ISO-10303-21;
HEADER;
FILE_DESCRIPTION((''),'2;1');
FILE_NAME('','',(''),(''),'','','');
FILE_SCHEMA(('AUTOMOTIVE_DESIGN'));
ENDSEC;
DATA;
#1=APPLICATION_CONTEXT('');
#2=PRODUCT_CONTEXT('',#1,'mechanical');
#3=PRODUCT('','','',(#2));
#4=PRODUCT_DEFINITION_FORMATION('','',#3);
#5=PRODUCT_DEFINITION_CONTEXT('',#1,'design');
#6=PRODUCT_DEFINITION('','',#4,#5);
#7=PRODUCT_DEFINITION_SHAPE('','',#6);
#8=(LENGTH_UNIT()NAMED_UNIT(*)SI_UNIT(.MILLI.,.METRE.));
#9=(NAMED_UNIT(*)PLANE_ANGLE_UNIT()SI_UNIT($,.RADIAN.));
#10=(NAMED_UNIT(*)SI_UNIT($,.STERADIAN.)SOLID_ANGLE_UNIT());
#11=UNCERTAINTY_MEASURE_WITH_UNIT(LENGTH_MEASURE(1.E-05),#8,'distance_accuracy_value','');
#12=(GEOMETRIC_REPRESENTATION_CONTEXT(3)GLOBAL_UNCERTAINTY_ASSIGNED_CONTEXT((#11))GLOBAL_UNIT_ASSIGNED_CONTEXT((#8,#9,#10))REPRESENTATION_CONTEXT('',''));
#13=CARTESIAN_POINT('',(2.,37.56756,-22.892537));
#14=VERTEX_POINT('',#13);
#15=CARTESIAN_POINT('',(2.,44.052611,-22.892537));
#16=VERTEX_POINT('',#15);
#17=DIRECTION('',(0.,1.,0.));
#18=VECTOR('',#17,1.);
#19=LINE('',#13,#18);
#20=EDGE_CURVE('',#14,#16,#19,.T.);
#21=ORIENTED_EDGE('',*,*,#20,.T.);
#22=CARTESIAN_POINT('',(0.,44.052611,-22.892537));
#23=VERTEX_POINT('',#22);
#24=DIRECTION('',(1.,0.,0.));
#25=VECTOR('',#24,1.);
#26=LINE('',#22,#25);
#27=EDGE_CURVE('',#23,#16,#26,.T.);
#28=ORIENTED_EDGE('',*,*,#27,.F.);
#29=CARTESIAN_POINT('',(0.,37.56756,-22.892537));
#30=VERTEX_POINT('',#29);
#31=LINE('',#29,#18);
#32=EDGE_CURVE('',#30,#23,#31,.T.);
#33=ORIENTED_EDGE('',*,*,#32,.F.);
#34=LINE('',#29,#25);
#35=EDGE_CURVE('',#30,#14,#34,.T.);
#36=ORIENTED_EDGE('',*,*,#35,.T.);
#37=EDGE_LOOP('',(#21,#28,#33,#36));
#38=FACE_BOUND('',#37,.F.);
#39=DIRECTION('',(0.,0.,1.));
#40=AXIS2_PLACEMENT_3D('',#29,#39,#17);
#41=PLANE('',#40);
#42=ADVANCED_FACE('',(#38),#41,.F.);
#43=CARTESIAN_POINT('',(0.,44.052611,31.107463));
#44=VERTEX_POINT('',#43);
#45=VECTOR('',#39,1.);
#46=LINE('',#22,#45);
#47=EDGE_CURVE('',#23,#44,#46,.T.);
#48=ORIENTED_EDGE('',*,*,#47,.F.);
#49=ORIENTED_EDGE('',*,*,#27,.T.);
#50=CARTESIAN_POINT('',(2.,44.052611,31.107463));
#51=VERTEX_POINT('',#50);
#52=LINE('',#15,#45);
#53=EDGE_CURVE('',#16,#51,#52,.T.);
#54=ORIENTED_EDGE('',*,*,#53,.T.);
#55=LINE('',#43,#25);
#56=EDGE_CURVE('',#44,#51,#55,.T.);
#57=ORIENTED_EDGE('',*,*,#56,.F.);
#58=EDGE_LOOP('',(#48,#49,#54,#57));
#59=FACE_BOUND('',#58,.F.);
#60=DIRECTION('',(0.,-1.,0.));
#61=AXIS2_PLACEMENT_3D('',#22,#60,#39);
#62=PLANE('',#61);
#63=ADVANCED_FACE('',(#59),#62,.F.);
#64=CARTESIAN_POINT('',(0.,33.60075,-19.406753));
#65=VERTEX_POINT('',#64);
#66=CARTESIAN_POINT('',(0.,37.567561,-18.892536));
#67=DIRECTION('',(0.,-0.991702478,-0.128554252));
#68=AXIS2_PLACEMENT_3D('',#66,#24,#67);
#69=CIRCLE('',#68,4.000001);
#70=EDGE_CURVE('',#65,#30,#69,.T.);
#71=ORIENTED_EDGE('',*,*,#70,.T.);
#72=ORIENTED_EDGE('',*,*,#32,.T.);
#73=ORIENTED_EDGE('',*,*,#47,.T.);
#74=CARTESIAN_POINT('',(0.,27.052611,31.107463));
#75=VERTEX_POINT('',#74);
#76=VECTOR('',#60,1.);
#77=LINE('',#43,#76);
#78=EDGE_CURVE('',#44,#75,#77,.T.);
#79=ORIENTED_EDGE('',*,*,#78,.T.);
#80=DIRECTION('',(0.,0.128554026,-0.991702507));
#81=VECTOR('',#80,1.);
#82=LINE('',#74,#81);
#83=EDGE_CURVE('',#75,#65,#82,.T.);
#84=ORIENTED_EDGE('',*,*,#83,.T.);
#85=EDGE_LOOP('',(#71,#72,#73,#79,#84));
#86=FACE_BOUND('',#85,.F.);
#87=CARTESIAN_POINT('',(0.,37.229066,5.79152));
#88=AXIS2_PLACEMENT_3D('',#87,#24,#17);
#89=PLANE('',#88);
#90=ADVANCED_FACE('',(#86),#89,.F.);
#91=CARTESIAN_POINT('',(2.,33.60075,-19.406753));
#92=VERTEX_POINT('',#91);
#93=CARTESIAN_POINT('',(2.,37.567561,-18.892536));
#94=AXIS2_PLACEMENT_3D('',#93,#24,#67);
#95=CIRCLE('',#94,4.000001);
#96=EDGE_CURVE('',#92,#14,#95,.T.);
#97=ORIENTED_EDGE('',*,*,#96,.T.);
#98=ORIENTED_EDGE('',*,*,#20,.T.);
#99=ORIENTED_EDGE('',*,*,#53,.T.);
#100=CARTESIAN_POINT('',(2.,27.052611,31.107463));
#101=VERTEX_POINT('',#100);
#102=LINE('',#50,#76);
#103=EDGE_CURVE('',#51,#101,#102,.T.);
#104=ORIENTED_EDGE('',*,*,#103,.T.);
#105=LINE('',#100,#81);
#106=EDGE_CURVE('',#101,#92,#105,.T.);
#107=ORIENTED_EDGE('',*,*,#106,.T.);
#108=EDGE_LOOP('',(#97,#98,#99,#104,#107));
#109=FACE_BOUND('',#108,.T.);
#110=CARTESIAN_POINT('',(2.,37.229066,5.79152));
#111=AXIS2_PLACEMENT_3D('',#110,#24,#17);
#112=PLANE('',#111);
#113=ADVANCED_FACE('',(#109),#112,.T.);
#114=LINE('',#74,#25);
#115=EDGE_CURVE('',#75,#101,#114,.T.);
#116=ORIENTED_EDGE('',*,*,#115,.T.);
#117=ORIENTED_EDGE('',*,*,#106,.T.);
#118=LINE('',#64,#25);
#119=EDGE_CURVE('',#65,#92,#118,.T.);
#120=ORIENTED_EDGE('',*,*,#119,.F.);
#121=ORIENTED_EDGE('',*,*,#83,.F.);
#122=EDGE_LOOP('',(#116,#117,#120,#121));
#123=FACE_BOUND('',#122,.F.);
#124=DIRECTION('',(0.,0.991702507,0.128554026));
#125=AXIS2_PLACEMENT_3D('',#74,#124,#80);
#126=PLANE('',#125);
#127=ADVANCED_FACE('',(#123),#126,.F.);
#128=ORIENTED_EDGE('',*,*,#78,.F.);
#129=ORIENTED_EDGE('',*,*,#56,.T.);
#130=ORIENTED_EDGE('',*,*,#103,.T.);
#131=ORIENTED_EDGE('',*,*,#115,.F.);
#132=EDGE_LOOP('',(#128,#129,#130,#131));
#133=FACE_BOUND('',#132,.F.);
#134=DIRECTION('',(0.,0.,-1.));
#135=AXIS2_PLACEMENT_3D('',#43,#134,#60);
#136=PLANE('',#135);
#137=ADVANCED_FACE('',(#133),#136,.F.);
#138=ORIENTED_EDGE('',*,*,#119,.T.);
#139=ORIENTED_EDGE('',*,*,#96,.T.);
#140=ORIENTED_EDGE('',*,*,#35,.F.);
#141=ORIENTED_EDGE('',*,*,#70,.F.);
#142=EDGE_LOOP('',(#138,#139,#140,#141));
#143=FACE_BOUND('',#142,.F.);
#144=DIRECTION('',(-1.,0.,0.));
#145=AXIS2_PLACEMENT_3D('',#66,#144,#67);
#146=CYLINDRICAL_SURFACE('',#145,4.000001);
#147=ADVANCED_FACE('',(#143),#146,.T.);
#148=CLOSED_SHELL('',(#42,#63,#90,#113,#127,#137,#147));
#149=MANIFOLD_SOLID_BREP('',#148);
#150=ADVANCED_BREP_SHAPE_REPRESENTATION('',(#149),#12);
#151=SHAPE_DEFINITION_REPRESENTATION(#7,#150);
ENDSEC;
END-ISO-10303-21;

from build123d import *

# Parameters (mm, degrees)
F1_DEPTH = 2


with BuildPart() as f1:
    # F0 (on Right) → F1 (new body)
    with BuildSketch(Plane.YZ):
        with BuildLine():
            Line((44.052611, -22.892537), (44.052611, 31.107463))
            Line((44.052611, 31.107463), (27.052611, 31.107463))
            Line((27.052611, 31.107463), (33.60075, -19.406753))
            ThreePointArc((33.60075, -19.406753), (34.927188, -21.897272), (37.56756, -22.892537))
            Line((37.56756, -22.892537), (44.052611, -22.892537))
        make_face()
    extrude(amount=F1_DEPTH)


solid = f1.part
